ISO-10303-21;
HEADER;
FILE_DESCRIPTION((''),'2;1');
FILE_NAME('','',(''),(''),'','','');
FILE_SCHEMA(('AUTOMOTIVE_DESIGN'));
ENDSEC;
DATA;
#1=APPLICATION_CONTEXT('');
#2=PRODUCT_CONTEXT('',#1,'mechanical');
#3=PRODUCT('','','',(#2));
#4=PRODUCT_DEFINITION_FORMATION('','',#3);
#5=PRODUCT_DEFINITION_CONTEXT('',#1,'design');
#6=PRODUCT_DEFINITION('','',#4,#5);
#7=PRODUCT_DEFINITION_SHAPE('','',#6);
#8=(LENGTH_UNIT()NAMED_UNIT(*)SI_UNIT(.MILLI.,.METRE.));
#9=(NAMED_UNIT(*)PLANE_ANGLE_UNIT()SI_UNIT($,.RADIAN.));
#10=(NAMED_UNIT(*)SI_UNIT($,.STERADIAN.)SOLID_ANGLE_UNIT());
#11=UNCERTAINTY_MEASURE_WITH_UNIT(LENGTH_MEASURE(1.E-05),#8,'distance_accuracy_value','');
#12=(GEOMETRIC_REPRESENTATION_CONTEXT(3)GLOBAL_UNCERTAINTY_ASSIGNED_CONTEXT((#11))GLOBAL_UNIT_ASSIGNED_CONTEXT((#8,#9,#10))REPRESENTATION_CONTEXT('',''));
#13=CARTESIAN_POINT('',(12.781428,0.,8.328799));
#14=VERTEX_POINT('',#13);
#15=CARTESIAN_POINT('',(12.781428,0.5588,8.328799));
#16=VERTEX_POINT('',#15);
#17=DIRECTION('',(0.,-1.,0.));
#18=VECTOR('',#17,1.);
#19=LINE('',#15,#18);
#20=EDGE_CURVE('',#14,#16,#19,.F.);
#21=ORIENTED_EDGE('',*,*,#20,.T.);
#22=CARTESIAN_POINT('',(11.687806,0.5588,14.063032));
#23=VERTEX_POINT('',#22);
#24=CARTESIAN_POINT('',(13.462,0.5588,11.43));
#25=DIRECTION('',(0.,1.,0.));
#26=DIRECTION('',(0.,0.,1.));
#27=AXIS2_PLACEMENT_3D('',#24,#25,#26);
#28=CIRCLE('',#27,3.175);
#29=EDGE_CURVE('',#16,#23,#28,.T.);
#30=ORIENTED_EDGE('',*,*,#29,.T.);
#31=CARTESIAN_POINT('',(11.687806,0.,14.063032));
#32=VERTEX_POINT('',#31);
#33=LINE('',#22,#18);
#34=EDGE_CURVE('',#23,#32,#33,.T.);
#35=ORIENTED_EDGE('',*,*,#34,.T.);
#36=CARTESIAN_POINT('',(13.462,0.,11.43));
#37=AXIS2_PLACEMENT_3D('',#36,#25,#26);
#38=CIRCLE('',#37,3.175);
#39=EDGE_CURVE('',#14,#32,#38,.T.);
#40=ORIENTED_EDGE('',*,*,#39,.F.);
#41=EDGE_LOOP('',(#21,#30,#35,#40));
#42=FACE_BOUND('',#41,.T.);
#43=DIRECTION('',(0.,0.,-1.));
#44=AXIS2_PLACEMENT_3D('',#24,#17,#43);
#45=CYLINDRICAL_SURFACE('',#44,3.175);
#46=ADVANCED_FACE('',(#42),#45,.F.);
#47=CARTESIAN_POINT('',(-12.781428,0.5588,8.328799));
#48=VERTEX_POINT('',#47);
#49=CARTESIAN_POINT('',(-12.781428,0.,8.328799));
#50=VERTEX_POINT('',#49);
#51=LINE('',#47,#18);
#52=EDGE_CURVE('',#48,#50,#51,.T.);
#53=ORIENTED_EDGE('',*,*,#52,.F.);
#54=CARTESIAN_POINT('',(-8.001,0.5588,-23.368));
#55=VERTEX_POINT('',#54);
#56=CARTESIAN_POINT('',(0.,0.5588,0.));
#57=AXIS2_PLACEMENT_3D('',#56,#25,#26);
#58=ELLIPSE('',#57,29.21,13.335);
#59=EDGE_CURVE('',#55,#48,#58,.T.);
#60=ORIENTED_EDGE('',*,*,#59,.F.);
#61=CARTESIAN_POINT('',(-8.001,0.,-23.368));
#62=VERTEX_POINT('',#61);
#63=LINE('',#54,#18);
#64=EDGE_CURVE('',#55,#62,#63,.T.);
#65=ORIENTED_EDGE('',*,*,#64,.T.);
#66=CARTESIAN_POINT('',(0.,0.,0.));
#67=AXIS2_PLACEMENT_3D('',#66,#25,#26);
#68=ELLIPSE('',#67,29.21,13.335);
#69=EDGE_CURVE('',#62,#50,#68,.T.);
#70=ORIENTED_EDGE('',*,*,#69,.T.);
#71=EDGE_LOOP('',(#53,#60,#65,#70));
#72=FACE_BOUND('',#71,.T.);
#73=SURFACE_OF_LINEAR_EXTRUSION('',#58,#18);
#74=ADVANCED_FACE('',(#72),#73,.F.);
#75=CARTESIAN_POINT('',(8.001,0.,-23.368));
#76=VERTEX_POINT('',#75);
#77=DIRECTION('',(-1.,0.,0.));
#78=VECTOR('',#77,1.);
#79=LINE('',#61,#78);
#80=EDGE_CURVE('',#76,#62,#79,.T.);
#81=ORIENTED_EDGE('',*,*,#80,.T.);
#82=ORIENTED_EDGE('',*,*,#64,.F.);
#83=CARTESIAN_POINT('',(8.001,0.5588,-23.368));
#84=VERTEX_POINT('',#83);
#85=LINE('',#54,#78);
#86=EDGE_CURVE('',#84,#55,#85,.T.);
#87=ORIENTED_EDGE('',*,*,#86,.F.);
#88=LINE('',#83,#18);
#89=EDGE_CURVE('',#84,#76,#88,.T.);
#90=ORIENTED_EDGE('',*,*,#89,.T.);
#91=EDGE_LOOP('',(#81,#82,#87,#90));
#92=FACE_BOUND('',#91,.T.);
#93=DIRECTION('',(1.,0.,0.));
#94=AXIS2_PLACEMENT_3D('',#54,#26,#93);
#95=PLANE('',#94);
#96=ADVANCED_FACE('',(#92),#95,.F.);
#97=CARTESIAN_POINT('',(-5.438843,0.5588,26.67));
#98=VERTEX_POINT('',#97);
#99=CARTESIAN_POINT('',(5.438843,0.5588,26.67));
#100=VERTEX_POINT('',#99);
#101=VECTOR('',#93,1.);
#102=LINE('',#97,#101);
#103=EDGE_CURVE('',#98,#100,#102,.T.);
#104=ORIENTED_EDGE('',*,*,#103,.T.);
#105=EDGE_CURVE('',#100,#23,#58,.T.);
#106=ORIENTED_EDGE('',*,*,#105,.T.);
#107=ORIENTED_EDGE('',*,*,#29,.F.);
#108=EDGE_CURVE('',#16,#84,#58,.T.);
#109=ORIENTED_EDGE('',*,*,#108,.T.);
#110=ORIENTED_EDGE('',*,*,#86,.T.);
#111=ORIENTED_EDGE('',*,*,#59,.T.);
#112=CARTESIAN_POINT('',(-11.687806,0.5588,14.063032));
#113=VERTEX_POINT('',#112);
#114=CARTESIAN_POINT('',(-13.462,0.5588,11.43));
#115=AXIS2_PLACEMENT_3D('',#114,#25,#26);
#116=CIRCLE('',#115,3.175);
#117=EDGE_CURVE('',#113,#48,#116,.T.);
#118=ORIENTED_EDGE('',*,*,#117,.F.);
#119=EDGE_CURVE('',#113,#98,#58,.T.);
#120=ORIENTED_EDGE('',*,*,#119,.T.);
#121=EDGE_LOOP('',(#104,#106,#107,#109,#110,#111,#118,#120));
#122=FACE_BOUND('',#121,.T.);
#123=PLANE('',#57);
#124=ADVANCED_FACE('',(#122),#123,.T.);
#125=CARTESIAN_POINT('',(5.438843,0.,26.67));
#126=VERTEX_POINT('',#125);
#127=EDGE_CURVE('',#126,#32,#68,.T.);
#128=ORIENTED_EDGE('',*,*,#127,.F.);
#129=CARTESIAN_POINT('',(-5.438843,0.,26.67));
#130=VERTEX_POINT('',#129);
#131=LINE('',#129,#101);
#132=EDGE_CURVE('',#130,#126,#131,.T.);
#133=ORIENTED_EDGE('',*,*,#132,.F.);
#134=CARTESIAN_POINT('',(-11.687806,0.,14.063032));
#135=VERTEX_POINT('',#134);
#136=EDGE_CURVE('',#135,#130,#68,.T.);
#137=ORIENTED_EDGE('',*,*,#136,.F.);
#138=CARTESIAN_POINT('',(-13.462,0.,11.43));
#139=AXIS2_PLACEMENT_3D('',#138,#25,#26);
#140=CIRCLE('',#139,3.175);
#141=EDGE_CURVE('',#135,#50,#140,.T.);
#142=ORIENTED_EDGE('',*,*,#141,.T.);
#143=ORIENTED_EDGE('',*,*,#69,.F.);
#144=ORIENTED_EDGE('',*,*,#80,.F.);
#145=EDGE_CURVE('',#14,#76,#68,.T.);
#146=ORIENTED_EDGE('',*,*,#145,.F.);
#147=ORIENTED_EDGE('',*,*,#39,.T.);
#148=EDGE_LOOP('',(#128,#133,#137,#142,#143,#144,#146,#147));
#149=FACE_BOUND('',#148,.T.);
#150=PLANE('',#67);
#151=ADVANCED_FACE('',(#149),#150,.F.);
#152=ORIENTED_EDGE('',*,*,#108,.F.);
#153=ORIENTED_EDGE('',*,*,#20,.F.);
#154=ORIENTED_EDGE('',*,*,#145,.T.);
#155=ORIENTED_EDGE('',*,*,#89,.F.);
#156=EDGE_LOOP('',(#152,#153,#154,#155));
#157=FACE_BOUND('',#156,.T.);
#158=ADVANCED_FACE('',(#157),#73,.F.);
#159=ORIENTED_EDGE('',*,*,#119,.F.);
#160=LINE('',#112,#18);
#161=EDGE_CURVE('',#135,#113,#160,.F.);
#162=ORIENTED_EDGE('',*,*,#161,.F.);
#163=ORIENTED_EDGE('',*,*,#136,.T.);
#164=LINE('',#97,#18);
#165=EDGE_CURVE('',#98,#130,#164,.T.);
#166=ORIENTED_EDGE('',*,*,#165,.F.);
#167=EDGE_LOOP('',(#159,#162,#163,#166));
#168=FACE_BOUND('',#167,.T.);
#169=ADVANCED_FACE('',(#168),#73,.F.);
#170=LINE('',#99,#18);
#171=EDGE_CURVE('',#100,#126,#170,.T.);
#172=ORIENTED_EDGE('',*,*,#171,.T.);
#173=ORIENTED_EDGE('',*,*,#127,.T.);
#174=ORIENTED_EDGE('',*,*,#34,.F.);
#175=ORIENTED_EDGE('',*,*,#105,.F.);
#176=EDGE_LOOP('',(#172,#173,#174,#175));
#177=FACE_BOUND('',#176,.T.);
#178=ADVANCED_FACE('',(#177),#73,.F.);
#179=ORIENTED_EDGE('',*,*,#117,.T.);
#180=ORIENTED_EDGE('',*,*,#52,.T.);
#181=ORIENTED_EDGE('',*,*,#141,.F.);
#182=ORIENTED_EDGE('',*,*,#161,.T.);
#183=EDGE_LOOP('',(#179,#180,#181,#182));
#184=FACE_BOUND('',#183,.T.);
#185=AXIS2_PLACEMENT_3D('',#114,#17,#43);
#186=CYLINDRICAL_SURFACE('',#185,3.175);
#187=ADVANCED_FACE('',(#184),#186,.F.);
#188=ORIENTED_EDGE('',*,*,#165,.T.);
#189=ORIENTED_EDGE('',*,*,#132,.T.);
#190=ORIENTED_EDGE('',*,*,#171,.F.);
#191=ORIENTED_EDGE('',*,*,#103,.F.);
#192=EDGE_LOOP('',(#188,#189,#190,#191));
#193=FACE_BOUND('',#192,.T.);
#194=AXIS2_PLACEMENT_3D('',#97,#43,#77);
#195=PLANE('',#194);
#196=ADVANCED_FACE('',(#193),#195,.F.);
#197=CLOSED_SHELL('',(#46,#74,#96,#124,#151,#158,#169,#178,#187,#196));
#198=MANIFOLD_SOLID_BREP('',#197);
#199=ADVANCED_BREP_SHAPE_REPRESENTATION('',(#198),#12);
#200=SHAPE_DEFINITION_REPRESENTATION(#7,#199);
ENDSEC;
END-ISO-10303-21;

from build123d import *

# Parameters (mm, degrees)
BOSS_EXTRUDE1_DEPTH = 0.5588
SKETCH2_R           = 3.175
CUT_EXTRUDE3_DEPTH  = 30.823202218


with BuildPart() as part:
    # Sketch1 → Boss-Extrude1 (new body)
    with BuildSketch(Plane(origin=(0, 0, 0), x_dir=(1, 0, 0), z_dir=(0, 1, 0))):
        with BuildLine():
            Line((-5.43884297, -26.67), (5.43884297, -26.67))
            add(Edge.make_bspline(
                [(5.43884297, -26.67), (26.133188211, -6.420594918), (8.001, 23.368)],
                knots=[0.420111478, 0.420111478, 0.420111478, 2.498091545, 2.498091545, 2.498091545], degree=2, weights=[1, 0.507090998, 1]))
            Line((8.001, 23.368), (-8.001, 23.368))
            add(Edge.make_bspline(
                [(-8.001, 23.368), (-26.133188211, -6.420594918), (-5.43884297, -26.67)],
                knots=[3.785093762, 3.785093762, 3.785093762, 5.863073829, 5.863073829, 5.863073829], degree=2, weights=[1, 0.507090998, 1]))
        make_face()
    extrude(amount=BOSS_EXTRUDE1_DEPTH)

    # Sketch2 → Cut-Extrude3 (cut, through all)
    with BuildSketch(Plane(origin=(0, 0, 0), x_dir=(1, 0, 0), z_dir=(0, 1, 0))):
        with Locations((-13.462, -11.43)):
            Circle(SKETCH2_R)
        with Locations((13.462, -11.43)):
            Circle(SKETCH2_R)
    extrude(amount=CUT_EXTRUDE3_DEPTH, mode=Mode.SUBTRACT)


solid = part.part
